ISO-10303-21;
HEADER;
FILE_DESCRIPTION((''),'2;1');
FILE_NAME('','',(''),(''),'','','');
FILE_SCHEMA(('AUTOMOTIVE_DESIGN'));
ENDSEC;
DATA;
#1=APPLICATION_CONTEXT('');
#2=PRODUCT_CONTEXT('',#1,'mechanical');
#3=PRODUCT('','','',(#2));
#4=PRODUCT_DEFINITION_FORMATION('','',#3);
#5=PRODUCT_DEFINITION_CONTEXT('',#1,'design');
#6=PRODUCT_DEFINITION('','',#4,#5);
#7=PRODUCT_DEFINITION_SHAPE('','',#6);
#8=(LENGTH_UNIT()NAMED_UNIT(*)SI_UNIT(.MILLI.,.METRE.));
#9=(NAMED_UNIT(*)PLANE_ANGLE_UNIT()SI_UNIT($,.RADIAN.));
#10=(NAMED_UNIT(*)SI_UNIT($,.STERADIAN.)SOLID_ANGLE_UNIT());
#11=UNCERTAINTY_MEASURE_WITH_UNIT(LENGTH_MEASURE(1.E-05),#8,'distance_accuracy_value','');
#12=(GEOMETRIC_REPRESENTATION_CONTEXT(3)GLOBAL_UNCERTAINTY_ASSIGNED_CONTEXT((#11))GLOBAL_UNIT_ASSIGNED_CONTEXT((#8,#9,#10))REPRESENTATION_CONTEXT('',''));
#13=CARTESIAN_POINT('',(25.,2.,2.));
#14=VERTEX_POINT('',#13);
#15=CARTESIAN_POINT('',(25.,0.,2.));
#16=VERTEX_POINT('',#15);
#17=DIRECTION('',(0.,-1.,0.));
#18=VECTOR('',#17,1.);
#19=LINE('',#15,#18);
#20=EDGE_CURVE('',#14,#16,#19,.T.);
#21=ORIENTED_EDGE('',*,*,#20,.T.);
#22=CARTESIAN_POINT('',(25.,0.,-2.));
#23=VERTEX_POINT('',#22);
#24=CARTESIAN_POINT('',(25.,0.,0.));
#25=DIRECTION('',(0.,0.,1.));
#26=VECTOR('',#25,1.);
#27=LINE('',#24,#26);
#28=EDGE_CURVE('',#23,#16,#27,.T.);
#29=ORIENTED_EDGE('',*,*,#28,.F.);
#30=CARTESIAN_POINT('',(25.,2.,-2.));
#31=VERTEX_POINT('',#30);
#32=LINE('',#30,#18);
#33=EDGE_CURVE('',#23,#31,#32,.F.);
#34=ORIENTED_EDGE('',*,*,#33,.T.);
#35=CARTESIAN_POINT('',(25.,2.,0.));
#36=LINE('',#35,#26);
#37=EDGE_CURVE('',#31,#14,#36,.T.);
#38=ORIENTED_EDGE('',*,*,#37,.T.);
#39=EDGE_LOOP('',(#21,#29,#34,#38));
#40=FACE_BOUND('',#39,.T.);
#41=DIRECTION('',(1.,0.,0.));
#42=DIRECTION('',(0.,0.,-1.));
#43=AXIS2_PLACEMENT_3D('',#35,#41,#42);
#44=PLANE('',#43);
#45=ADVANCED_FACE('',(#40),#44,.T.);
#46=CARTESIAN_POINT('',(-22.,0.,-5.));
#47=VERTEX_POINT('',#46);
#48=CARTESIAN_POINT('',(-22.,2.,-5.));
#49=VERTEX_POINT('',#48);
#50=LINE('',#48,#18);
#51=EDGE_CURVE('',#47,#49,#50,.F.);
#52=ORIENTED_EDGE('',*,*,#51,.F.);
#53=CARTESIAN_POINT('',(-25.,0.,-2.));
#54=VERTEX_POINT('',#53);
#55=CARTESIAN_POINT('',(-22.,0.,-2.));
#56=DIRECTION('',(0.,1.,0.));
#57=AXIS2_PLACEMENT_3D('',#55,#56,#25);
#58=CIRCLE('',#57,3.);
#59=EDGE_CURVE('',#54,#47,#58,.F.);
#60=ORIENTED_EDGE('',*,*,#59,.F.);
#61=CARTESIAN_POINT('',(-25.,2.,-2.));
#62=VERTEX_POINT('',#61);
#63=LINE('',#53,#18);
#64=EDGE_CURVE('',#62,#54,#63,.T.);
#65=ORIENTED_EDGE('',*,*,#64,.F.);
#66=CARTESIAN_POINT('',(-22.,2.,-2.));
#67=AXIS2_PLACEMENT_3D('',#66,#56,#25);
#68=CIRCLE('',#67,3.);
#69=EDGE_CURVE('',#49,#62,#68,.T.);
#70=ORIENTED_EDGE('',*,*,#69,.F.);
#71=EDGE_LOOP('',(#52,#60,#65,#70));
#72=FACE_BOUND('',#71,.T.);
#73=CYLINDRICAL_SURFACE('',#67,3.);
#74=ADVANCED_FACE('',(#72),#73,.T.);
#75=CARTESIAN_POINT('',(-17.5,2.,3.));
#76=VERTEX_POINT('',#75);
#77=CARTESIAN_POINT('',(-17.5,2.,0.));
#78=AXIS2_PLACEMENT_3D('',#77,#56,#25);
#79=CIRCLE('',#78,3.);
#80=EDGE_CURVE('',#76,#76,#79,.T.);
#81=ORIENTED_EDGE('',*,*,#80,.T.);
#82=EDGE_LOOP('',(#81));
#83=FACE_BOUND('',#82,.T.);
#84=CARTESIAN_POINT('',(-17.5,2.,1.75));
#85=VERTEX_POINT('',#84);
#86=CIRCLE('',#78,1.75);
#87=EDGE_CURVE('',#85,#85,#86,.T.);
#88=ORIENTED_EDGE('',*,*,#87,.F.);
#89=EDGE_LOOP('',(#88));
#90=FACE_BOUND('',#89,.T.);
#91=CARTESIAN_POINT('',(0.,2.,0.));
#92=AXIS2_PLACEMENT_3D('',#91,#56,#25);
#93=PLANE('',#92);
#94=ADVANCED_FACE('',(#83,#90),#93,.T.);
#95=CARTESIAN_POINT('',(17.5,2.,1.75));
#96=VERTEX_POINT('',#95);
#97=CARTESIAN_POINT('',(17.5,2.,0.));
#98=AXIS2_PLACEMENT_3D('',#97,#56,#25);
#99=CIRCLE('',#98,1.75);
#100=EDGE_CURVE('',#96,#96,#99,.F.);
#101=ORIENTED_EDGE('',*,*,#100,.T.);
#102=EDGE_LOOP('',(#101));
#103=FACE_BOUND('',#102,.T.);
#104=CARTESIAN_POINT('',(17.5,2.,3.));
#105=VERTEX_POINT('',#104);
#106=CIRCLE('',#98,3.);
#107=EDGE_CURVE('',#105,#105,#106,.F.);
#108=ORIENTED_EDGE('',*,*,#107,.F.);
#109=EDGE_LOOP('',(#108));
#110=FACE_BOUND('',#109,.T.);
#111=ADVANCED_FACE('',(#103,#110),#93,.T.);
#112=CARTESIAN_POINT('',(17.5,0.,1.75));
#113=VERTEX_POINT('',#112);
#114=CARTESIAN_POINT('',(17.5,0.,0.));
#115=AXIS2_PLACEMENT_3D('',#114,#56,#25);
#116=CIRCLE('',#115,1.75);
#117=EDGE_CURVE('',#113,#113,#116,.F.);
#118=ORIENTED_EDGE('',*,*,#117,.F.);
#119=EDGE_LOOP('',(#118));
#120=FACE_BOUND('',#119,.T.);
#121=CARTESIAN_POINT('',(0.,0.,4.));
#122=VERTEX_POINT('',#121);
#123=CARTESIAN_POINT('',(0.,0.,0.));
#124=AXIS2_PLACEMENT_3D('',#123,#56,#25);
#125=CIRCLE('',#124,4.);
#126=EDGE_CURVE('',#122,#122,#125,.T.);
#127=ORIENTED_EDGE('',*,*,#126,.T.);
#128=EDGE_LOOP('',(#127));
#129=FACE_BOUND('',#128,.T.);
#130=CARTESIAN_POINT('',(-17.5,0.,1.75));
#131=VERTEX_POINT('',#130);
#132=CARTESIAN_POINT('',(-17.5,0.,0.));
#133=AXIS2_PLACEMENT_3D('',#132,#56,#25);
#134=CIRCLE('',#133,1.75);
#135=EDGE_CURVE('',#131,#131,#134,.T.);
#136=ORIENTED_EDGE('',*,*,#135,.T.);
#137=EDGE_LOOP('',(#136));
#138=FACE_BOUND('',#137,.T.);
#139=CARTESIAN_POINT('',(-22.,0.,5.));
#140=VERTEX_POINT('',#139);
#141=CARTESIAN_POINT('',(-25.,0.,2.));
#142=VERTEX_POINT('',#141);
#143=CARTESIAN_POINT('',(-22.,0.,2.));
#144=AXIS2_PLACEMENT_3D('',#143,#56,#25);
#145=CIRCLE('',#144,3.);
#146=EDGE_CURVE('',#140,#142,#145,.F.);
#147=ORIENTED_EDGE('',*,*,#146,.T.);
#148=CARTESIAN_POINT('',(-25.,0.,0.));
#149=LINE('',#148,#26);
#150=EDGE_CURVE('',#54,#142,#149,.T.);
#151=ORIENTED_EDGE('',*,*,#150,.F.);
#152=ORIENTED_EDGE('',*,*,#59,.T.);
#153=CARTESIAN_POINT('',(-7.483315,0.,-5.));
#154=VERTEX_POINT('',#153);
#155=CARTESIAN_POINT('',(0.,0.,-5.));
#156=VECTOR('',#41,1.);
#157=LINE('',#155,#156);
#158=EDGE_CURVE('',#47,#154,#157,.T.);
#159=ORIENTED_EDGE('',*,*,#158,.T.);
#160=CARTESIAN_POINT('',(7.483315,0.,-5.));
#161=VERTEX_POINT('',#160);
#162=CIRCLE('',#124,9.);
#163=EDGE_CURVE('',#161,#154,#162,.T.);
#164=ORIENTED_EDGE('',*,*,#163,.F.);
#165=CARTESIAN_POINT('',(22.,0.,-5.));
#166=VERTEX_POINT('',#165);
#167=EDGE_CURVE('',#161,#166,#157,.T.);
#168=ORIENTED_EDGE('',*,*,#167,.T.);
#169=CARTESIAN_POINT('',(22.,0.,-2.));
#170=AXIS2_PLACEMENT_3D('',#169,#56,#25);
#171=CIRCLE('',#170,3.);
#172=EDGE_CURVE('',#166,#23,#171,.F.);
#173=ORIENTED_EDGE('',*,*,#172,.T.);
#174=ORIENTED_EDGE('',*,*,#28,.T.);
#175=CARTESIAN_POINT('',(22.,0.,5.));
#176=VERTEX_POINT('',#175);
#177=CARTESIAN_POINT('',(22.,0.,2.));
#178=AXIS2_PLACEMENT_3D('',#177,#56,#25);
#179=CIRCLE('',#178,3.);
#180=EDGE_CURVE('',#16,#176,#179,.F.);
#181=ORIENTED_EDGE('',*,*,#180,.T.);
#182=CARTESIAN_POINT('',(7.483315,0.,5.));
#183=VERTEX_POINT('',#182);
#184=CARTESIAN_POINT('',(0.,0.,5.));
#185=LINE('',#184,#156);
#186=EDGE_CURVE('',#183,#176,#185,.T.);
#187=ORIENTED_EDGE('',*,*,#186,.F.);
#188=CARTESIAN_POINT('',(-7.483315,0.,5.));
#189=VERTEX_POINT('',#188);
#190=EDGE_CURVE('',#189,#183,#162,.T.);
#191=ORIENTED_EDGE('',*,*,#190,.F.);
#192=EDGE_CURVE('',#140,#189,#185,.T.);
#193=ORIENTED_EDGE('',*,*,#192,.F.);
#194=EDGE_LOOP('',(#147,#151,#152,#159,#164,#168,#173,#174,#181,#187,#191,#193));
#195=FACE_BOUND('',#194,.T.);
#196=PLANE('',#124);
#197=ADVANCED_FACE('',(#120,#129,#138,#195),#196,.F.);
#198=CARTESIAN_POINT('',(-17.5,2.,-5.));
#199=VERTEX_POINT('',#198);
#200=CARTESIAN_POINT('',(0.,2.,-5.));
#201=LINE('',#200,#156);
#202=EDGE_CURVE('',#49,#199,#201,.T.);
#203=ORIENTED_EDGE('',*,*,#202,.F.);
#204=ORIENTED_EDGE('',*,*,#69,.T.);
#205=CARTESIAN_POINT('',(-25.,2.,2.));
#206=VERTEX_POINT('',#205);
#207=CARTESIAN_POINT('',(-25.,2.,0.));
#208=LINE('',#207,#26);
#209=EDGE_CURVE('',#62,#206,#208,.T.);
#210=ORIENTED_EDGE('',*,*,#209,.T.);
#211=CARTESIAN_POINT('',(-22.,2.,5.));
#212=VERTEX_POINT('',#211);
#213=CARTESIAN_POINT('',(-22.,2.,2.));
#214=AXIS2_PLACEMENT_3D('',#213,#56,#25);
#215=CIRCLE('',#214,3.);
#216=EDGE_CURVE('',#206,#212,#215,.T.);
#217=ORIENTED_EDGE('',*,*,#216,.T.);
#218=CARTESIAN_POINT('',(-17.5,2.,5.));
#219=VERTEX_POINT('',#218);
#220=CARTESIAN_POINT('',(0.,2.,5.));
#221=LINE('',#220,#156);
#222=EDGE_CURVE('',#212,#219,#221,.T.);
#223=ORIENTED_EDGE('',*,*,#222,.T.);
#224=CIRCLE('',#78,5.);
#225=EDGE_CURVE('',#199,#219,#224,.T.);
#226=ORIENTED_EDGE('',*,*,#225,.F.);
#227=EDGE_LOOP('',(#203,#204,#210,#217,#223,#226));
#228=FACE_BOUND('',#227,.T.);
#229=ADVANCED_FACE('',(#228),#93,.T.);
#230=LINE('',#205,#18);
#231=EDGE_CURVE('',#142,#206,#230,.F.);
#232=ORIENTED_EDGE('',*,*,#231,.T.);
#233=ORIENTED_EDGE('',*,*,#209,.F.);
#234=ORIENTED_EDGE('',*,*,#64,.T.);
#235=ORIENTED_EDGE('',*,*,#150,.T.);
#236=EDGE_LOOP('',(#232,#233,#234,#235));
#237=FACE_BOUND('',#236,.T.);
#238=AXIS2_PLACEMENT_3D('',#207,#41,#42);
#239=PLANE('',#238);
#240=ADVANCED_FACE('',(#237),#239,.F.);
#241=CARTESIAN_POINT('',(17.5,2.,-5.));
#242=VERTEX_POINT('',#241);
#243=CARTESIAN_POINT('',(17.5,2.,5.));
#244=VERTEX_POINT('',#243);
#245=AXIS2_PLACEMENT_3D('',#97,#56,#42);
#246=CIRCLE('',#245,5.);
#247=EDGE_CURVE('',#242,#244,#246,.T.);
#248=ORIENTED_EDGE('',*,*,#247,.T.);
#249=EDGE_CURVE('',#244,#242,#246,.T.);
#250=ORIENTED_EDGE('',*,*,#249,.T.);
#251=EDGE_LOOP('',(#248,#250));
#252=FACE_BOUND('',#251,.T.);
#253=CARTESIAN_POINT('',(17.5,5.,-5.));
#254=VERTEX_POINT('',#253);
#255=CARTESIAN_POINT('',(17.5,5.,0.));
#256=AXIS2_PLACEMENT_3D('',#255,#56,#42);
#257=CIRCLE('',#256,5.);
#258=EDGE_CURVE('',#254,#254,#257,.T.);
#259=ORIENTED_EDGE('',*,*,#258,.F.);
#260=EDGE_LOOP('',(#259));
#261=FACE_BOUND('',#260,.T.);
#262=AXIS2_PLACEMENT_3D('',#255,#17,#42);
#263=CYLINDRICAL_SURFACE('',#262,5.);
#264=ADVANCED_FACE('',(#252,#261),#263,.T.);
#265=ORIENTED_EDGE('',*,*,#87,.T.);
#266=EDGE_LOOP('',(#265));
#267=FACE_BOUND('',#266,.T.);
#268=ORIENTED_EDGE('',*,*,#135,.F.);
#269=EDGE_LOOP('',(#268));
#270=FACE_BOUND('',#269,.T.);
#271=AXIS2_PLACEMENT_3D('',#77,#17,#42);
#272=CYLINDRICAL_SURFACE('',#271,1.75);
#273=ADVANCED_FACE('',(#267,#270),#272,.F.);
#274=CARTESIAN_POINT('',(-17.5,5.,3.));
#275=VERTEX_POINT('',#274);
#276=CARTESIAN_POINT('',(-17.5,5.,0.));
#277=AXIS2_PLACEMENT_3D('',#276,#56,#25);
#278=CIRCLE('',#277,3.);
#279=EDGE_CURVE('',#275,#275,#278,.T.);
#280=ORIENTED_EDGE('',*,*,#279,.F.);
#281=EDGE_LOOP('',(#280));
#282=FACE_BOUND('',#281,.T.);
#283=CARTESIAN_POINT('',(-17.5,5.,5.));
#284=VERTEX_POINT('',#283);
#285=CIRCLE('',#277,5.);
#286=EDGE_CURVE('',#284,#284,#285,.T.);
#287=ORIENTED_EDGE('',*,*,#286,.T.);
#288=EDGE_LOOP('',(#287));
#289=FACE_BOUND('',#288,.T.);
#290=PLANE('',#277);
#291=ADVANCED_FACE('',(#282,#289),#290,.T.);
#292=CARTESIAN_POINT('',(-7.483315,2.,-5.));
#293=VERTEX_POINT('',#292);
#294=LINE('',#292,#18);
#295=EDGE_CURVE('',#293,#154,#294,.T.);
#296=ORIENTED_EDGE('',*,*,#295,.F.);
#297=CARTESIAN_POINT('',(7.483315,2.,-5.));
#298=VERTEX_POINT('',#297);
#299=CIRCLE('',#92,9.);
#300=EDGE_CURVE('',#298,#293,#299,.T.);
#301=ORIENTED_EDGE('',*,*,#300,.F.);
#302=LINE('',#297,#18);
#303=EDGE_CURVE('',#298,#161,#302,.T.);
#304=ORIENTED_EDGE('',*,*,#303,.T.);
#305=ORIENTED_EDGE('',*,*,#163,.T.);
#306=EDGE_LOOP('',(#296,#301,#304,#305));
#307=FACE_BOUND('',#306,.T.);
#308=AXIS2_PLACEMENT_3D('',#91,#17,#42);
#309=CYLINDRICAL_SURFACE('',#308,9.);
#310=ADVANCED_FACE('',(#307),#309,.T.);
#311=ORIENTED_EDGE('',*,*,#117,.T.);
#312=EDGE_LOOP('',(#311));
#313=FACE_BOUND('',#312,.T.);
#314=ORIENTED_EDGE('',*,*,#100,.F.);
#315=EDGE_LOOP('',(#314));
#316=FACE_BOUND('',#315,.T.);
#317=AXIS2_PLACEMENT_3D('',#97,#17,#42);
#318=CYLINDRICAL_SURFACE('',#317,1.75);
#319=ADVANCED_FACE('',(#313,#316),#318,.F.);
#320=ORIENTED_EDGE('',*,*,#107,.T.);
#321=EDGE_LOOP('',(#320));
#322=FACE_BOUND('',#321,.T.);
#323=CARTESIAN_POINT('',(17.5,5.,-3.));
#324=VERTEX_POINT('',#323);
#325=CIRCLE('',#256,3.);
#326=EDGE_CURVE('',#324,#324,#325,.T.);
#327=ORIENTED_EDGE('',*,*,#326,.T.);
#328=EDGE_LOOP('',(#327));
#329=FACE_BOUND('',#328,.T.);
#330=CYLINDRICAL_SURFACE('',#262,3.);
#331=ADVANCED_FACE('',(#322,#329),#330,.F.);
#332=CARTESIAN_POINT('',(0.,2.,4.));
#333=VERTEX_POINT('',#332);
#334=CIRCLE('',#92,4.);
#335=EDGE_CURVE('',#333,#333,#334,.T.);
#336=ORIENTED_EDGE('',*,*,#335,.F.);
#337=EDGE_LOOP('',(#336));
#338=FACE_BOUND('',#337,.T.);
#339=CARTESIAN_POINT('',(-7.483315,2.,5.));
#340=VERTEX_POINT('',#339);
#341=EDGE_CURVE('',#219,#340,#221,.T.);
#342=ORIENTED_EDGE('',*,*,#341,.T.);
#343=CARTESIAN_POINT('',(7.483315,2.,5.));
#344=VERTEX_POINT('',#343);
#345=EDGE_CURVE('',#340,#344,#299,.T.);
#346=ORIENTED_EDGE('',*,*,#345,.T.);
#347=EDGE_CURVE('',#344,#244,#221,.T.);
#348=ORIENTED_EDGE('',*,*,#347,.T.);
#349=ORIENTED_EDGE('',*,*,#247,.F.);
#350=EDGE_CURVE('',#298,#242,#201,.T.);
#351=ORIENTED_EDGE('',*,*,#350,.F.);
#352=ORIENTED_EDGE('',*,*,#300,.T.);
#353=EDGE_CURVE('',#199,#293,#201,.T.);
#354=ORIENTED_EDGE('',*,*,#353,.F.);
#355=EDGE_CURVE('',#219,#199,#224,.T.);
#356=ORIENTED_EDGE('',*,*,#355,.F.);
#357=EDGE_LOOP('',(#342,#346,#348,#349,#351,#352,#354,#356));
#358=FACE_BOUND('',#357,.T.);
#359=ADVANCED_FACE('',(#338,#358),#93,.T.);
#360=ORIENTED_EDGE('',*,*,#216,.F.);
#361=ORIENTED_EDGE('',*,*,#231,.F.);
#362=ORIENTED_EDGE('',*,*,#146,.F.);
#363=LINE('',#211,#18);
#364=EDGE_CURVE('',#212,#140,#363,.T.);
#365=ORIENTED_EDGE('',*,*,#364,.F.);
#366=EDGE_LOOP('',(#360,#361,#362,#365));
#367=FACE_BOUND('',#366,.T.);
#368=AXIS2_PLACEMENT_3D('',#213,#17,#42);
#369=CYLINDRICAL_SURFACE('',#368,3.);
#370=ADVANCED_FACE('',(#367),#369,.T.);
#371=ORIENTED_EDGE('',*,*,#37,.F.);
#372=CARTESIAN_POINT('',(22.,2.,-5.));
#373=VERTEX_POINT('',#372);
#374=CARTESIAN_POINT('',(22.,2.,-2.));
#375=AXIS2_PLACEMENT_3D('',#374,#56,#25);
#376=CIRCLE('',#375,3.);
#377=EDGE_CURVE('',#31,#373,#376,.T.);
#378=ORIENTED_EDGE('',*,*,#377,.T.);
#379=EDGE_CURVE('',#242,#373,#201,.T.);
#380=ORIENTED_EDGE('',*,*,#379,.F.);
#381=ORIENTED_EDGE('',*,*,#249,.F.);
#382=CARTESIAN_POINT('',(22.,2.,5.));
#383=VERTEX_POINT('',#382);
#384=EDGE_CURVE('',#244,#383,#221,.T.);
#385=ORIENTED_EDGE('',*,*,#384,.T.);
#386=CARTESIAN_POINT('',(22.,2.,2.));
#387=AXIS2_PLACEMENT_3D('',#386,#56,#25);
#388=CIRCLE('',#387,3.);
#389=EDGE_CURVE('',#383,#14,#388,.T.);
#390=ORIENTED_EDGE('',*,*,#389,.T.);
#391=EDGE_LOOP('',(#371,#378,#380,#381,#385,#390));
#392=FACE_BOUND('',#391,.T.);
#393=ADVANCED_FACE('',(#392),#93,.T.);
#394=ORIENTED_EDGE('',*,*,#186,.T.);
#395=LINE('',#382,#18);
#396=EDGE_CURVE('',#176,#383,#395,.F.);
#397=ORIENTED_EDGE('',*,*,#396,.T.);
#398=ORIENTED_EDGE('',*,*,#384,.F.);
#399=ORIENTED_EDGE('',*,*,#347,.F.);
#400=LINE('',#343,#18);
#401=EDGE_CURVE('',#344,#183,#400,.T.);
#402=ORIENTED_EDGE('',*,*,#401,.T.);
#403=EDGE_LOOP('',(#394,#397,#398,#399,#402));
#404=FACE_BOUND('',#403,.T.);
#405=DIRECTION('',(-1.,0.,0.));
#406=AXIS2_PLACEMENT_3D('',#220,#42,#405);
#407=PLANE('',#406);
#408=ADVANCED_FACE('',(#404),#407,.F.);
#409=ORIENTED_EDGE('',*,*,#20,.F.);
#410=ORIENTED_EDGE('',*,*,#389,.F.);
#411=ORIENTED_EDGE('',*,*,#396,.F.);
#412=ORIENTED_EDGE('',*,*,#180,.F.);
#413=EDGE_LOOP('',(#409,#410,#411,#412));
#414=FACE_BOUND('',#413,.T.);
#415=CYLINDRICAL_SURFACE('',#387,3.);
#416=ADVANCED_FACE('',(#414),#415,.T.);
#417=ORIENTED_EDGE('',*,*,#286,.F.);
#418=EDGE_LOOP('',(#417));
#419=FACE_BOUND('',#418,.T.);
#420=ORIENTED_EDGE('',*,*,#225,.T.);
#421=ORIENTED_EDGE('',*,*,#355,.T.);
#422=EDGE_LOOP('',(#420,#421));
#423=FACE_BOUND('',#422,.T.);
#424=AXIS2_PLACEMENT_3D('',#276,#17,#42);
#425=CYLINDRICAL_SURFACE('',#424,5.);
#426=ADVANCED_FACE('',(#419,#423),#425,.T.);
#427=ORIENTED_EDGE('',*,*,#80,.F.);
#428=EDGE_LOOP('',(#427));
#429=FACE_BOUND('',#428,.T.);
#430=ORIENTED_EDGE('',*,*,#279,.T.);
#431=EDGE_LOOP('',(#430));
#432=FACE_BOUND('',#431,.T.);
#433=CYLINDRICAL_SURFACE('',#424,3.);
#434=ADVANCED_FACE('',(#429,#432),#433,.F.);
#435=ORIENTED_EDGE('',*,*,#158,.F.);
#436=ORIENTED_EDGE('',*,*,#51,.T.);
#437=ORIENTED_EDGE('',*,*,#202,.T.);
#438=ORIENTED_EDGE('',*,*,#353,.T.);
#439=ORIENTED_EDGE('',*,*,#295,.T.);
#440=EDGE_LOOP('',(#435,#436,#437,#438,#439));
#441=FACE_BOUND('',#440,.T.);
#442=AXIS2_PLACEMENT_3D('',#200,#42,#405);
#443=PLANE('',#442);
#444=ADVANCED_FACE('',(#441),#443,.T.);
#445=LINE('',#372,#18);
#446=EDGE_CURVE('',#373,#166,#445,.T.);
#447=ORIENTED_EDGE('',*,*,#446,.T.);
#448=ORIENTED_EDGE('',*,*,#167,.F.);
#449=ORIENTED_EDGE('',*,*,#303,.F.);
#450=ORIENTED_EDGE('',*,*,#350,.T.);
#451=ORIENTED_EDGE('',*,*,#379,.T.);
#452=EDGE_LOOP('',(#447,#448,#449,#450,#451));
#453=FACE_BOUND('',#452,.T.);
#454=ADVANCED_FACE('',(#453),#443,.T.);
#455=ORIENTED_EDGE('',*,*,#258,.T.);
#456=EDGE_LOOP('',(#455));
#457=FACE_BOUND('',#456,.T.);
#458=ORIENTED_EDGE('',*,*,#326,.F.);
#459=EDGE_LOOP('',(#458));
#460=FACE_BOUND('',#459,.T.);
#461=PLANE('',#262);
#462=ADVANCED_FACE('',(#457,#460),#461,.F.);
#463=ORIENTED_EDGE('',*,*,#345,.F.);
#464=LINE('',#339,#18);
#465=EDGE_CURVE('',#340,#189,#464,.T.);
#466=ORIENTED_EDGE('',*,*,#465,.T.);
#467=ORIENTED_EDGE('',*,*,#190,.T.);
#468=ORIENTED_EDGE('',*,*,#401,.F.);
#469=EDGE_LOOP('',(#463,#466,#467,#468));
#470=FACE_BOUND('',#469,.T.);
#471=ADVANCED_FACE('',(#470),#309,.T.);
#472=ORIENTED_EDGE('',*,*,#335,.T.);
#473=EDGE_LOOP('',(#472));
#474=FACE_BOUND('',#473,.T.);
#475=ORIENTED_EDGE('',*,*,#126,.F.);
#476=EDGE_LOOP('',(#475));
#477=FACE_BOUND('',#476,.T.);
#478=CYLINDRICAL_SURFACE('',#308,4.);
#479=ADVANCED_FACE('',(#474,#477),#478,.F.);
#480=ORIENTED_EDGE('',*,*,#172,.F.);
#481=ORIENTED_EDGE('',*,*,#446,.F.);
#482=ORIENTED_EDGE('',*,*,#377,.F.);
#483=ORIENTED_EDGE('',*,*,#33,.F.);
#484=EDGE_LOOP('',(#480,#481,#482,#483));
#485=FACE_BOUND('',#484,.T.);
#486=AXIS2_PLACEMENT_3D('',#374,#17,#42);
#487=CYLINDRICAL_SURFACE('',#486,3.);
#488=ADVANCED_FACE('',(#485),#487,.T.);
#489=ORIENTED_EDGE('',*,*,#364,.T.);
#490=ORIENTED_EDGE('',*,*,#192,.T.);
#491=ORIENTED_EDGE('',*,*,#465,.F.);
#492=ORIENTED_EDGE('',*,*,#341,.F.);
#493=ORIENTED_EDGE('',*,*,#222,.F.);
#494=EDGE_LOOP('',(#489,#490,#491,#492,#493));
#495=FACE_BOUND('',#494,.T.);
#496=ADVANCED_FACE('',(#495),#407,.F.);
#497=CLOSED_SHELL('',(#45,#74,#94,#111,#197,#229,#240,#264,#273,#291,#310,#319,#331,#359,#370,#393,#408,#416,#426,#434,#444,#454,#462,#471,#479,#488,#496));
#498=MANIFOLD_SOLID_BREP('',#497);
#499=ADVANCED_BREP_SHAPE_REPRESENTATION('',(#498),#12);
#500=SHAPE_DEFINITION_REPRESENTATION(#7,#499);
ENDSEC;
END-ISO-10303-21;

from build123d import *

# Parameters (mm, degrees)
SKETCH1_R           = 1.75
SKETCH1_R_2         = 4
BOSS_EXTRUDE1_DEPTH = 2
FILLET1_R           = 3
SKETCH2_R           = 5
SKETCH2_R_2         = 3
BOSS_EXTRUDE2_DEPTH = 3


with BuildPart() as part:
    # Sketch1 → Boss-Extrude1 (new body)
    with BuildSketch(Plane(origin=(0, 0, 0), x_dir=(1, 0, 0), z_dir=(0, 1, 0))):
        with BuildLine():
            Line((-7.483314774, 5), (-25, 5))
            Line((-25, 5), (-25, -5))
            Line((-25, -5), (-7.483314774, -5))
            ThreePointArc((-7.483314774, -5), (0, -9), (7.483314774, -5))
            Line((7.483314774, -5), (25, -5))
            Line((25, -5), (25, 5))
            Line((25, 5), (7.483314774, 5))
            ThreePointArc((7.483314774, 5), (0, 9), (-7.483314774, 5))
        make_face()
        with Locations((-17.5, 0)):
            Circle(SKETCH1_R, mode=Mode.SUBTRACT)
        Circle(SKETCH1_R_2, mode=Mode.SUBTRACT)
        with Locations((17.5, 0)):
            Circle(SKETCH1_R, mode=Mode.SUBTRACT)
    extrude(amount=BOSS_EXTRUDE1_DEPTH)

    # Fillet1
    fillet1_edges = [part.edges().sort_by_distance(p)[0] for p in [
        (-25, 1, -5),
        (25, 1, -5),
        (25, 1, 5),
        (-25, 1, 5),
    ]]
    fillet(fillet1_edges, radius=FILLET1_R)

    # Sketch2 → Boss-Extrude2 (add)
    # profile 1 of 2: a face of its own
    with BuildSketch(Plane(origin=(0, 2, 0), x_dir=(1, 0, 0), z_dir=(0, 1, 0))):
        with Locations((-17.5, 0)):
            Circle(SKETCH2_R)
        with Locations((-17.5, 0)):
            Circle(SKETCH2_R_2, mode=Mode.SUBTRACT)
    # profile 2 of 2: a face of its own
    with BuildSketch(Plane(origin=(0, 2, 0), x_dir=(1, 0, 0), z_dir=(0, 1, 0))):
        with Locations((17.5, 0)):
            Circle(SKETCH2_R)
        with Locations((17.5, 0)):
            Circle(SKETCH2_R_2, mode=Mode.SUBTRACT)
    extrude(amount=BOSS_EXTRUDE2_DEPTH)


solid = part.part
